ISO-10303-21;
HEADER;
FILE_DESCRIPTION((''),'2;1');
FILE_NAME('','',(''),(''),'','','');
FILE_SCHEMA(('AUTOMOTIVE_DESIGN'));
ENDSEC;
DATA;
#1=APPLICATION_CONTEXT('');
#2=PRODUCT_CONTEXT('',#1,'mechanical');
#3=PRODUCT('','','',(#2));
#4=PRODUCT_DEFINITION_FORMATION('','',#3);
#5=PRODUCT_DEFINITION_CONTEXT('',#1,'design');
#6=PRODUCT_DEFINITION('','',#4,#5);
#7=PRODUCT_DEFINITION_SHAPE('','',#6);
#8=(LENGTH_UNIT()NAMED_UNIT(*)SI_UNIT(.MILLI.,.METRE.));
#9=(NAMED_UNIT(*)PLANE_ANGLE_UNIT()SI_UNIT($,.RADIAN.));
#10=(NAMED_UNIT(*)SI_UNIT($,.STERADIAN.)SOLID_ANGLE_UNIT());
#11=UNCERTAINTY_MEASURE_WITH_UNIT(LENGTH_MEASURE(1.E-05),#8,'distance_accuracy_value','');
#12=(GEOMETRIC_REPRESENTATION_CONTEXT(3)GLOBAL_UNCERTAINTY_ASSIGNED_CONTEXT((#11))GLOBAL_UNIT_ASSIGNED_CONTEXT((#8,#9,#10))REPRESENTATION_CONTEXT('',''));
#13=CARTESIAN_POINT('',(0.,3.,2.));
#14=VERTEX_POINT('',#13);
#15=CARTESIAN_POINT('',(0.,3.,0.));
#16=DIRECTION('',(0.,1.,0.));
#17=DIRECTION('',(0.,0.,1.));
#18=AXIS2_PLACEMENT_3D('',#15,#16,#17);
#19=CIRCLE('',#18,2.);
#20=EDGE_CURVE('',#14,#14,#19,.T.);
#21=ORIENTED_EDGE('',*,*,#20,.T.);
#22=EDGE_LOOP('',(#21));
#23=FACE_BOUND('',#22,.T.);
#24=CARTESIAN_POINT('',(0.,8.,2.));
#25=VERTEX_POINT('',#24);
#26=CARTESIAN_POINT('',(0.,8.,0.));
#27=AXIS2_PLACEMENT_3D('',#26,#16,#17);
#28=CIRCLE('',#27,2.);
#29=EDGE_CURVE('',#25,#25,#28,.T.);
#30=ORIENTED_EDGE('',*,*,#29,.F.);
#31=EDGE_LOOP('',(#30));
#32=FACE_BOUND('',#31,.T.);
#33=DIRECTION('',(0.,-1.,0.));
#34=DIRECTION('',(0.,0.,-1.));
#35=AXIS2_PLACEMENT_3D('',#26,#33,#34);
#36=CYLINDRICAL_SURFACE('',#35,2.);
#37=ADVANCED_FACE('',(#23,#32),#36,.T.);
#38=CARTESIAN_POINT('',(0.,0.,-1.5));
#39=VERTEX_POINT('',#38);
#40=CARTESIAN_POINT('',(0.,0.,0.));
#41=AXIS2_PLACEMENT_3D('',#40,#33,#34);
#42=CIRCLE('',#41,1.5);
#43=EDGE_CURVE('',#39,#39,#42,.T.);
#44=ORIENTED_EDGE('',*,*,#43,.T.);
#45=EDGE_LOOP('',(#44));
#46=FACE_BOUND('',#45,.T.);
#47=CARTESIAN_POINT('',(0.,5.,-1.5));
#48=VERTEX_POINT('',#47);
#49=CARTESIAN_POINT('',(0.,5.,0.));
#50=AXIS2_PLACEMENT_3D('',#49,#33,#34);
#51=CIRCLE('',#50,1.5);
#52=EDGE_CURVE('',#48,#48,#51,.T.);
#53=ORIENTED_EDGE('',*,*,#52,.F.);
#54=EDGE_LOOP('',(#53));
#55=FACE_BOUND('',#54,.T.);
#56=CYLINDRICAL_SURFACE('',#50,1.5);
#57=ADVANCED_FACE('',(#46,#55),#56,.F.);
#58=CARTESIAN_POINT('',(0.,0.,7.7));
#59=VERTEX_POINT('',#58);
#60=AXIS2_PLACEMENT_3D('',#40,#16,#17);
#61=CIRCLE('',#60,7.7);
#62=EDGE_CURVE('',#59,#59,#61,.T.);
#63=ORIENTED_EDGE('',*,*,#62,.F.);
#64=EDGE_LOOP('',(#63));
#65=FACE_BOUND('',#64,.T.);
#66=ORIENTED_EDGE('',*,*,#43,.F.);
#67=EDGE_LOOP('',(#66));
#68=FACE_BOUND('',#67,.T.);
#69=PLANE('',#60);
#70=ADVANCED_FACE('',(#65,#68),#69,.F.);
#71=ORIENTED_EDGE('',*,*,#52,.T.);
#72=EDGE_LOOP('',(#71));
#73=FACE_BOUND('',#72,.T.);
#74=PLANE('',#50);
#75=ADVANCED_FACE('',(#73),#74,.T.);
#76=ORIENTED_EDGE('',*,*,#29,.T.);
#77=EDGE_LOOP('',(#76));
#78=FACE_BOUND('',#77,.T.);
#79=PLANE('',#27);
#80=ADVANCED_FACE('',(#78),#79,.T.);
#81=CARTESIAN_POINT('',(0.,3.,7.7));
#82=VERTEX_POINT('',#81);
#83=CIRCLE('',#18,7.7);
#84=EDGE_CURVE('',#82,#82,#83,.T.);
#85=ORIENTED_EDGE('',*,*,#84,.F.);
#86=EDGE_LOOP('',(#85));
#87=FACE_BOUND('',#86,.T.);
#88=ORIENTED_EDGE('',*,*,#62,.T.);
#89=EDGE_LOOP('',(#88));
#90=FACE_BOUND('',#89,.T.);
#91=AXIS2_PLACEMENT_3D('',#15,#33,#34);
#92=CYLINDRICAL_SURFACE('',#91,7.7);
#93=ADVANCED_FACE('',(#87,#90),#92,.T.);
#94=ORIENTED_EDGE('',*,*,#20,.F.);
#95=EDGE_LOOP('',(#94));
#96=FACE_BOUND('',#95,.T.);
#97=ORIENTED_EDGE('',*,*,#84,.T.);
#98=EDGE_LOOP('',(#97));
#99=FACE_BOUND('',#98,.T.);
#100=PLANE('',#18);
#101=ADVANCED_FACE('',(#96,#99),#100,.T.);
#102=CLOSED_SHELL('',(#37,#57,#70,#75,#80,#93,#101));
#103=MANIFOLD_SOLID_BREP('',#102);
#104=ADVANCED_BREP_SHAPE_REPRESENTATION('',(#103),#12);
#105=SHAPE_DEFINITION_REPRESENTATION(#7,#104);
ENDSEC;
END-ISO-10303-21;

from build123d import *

# Parameters (mm, degrees)
SKETCH1_R           = 7.7
BOSS_EXTRUDE1_DEPTH = 3
SKETCH2_R           = 2
BOSS_EXTRUDE2_DEPTH = 5
SKETCH3_R           = 1.5
CUT_EXTRUDE1_DEPTH  = 5


with BuildPart() as part:
    # Sketch1 → Boss-Extrude1 (new body)
    with BuildSketch(Plane(origin=(0, 0, 0), x_dir=(1, 0, 0), z_dir=(0, 1, 0))):
        Circle(SKETCH1_R)
    extrude(amount=BOSS_EXTRUDE1_DEPTH)

    # Sketch2 → Boss-Extrude2 (add)
    with BuildSketch(Plane(origin=(0, 3, 0), x_dir=(1, 0, 0), z_dir=(0, 1, 0))):
        Circle(SKETCH2_R)
    extrude(amount=BOSS_EXTRUDE2_DEPTH)

    # Sketch3 → Cut-Extrude1 (cut)
    with BuildSketch(Plane.XZ):
        Circle(SKETCH3_R)
    extrude(amount=-CUT_EXTRUDE1_DEPTH, mode=Mode.SUBTRACT)


solid = part.part
